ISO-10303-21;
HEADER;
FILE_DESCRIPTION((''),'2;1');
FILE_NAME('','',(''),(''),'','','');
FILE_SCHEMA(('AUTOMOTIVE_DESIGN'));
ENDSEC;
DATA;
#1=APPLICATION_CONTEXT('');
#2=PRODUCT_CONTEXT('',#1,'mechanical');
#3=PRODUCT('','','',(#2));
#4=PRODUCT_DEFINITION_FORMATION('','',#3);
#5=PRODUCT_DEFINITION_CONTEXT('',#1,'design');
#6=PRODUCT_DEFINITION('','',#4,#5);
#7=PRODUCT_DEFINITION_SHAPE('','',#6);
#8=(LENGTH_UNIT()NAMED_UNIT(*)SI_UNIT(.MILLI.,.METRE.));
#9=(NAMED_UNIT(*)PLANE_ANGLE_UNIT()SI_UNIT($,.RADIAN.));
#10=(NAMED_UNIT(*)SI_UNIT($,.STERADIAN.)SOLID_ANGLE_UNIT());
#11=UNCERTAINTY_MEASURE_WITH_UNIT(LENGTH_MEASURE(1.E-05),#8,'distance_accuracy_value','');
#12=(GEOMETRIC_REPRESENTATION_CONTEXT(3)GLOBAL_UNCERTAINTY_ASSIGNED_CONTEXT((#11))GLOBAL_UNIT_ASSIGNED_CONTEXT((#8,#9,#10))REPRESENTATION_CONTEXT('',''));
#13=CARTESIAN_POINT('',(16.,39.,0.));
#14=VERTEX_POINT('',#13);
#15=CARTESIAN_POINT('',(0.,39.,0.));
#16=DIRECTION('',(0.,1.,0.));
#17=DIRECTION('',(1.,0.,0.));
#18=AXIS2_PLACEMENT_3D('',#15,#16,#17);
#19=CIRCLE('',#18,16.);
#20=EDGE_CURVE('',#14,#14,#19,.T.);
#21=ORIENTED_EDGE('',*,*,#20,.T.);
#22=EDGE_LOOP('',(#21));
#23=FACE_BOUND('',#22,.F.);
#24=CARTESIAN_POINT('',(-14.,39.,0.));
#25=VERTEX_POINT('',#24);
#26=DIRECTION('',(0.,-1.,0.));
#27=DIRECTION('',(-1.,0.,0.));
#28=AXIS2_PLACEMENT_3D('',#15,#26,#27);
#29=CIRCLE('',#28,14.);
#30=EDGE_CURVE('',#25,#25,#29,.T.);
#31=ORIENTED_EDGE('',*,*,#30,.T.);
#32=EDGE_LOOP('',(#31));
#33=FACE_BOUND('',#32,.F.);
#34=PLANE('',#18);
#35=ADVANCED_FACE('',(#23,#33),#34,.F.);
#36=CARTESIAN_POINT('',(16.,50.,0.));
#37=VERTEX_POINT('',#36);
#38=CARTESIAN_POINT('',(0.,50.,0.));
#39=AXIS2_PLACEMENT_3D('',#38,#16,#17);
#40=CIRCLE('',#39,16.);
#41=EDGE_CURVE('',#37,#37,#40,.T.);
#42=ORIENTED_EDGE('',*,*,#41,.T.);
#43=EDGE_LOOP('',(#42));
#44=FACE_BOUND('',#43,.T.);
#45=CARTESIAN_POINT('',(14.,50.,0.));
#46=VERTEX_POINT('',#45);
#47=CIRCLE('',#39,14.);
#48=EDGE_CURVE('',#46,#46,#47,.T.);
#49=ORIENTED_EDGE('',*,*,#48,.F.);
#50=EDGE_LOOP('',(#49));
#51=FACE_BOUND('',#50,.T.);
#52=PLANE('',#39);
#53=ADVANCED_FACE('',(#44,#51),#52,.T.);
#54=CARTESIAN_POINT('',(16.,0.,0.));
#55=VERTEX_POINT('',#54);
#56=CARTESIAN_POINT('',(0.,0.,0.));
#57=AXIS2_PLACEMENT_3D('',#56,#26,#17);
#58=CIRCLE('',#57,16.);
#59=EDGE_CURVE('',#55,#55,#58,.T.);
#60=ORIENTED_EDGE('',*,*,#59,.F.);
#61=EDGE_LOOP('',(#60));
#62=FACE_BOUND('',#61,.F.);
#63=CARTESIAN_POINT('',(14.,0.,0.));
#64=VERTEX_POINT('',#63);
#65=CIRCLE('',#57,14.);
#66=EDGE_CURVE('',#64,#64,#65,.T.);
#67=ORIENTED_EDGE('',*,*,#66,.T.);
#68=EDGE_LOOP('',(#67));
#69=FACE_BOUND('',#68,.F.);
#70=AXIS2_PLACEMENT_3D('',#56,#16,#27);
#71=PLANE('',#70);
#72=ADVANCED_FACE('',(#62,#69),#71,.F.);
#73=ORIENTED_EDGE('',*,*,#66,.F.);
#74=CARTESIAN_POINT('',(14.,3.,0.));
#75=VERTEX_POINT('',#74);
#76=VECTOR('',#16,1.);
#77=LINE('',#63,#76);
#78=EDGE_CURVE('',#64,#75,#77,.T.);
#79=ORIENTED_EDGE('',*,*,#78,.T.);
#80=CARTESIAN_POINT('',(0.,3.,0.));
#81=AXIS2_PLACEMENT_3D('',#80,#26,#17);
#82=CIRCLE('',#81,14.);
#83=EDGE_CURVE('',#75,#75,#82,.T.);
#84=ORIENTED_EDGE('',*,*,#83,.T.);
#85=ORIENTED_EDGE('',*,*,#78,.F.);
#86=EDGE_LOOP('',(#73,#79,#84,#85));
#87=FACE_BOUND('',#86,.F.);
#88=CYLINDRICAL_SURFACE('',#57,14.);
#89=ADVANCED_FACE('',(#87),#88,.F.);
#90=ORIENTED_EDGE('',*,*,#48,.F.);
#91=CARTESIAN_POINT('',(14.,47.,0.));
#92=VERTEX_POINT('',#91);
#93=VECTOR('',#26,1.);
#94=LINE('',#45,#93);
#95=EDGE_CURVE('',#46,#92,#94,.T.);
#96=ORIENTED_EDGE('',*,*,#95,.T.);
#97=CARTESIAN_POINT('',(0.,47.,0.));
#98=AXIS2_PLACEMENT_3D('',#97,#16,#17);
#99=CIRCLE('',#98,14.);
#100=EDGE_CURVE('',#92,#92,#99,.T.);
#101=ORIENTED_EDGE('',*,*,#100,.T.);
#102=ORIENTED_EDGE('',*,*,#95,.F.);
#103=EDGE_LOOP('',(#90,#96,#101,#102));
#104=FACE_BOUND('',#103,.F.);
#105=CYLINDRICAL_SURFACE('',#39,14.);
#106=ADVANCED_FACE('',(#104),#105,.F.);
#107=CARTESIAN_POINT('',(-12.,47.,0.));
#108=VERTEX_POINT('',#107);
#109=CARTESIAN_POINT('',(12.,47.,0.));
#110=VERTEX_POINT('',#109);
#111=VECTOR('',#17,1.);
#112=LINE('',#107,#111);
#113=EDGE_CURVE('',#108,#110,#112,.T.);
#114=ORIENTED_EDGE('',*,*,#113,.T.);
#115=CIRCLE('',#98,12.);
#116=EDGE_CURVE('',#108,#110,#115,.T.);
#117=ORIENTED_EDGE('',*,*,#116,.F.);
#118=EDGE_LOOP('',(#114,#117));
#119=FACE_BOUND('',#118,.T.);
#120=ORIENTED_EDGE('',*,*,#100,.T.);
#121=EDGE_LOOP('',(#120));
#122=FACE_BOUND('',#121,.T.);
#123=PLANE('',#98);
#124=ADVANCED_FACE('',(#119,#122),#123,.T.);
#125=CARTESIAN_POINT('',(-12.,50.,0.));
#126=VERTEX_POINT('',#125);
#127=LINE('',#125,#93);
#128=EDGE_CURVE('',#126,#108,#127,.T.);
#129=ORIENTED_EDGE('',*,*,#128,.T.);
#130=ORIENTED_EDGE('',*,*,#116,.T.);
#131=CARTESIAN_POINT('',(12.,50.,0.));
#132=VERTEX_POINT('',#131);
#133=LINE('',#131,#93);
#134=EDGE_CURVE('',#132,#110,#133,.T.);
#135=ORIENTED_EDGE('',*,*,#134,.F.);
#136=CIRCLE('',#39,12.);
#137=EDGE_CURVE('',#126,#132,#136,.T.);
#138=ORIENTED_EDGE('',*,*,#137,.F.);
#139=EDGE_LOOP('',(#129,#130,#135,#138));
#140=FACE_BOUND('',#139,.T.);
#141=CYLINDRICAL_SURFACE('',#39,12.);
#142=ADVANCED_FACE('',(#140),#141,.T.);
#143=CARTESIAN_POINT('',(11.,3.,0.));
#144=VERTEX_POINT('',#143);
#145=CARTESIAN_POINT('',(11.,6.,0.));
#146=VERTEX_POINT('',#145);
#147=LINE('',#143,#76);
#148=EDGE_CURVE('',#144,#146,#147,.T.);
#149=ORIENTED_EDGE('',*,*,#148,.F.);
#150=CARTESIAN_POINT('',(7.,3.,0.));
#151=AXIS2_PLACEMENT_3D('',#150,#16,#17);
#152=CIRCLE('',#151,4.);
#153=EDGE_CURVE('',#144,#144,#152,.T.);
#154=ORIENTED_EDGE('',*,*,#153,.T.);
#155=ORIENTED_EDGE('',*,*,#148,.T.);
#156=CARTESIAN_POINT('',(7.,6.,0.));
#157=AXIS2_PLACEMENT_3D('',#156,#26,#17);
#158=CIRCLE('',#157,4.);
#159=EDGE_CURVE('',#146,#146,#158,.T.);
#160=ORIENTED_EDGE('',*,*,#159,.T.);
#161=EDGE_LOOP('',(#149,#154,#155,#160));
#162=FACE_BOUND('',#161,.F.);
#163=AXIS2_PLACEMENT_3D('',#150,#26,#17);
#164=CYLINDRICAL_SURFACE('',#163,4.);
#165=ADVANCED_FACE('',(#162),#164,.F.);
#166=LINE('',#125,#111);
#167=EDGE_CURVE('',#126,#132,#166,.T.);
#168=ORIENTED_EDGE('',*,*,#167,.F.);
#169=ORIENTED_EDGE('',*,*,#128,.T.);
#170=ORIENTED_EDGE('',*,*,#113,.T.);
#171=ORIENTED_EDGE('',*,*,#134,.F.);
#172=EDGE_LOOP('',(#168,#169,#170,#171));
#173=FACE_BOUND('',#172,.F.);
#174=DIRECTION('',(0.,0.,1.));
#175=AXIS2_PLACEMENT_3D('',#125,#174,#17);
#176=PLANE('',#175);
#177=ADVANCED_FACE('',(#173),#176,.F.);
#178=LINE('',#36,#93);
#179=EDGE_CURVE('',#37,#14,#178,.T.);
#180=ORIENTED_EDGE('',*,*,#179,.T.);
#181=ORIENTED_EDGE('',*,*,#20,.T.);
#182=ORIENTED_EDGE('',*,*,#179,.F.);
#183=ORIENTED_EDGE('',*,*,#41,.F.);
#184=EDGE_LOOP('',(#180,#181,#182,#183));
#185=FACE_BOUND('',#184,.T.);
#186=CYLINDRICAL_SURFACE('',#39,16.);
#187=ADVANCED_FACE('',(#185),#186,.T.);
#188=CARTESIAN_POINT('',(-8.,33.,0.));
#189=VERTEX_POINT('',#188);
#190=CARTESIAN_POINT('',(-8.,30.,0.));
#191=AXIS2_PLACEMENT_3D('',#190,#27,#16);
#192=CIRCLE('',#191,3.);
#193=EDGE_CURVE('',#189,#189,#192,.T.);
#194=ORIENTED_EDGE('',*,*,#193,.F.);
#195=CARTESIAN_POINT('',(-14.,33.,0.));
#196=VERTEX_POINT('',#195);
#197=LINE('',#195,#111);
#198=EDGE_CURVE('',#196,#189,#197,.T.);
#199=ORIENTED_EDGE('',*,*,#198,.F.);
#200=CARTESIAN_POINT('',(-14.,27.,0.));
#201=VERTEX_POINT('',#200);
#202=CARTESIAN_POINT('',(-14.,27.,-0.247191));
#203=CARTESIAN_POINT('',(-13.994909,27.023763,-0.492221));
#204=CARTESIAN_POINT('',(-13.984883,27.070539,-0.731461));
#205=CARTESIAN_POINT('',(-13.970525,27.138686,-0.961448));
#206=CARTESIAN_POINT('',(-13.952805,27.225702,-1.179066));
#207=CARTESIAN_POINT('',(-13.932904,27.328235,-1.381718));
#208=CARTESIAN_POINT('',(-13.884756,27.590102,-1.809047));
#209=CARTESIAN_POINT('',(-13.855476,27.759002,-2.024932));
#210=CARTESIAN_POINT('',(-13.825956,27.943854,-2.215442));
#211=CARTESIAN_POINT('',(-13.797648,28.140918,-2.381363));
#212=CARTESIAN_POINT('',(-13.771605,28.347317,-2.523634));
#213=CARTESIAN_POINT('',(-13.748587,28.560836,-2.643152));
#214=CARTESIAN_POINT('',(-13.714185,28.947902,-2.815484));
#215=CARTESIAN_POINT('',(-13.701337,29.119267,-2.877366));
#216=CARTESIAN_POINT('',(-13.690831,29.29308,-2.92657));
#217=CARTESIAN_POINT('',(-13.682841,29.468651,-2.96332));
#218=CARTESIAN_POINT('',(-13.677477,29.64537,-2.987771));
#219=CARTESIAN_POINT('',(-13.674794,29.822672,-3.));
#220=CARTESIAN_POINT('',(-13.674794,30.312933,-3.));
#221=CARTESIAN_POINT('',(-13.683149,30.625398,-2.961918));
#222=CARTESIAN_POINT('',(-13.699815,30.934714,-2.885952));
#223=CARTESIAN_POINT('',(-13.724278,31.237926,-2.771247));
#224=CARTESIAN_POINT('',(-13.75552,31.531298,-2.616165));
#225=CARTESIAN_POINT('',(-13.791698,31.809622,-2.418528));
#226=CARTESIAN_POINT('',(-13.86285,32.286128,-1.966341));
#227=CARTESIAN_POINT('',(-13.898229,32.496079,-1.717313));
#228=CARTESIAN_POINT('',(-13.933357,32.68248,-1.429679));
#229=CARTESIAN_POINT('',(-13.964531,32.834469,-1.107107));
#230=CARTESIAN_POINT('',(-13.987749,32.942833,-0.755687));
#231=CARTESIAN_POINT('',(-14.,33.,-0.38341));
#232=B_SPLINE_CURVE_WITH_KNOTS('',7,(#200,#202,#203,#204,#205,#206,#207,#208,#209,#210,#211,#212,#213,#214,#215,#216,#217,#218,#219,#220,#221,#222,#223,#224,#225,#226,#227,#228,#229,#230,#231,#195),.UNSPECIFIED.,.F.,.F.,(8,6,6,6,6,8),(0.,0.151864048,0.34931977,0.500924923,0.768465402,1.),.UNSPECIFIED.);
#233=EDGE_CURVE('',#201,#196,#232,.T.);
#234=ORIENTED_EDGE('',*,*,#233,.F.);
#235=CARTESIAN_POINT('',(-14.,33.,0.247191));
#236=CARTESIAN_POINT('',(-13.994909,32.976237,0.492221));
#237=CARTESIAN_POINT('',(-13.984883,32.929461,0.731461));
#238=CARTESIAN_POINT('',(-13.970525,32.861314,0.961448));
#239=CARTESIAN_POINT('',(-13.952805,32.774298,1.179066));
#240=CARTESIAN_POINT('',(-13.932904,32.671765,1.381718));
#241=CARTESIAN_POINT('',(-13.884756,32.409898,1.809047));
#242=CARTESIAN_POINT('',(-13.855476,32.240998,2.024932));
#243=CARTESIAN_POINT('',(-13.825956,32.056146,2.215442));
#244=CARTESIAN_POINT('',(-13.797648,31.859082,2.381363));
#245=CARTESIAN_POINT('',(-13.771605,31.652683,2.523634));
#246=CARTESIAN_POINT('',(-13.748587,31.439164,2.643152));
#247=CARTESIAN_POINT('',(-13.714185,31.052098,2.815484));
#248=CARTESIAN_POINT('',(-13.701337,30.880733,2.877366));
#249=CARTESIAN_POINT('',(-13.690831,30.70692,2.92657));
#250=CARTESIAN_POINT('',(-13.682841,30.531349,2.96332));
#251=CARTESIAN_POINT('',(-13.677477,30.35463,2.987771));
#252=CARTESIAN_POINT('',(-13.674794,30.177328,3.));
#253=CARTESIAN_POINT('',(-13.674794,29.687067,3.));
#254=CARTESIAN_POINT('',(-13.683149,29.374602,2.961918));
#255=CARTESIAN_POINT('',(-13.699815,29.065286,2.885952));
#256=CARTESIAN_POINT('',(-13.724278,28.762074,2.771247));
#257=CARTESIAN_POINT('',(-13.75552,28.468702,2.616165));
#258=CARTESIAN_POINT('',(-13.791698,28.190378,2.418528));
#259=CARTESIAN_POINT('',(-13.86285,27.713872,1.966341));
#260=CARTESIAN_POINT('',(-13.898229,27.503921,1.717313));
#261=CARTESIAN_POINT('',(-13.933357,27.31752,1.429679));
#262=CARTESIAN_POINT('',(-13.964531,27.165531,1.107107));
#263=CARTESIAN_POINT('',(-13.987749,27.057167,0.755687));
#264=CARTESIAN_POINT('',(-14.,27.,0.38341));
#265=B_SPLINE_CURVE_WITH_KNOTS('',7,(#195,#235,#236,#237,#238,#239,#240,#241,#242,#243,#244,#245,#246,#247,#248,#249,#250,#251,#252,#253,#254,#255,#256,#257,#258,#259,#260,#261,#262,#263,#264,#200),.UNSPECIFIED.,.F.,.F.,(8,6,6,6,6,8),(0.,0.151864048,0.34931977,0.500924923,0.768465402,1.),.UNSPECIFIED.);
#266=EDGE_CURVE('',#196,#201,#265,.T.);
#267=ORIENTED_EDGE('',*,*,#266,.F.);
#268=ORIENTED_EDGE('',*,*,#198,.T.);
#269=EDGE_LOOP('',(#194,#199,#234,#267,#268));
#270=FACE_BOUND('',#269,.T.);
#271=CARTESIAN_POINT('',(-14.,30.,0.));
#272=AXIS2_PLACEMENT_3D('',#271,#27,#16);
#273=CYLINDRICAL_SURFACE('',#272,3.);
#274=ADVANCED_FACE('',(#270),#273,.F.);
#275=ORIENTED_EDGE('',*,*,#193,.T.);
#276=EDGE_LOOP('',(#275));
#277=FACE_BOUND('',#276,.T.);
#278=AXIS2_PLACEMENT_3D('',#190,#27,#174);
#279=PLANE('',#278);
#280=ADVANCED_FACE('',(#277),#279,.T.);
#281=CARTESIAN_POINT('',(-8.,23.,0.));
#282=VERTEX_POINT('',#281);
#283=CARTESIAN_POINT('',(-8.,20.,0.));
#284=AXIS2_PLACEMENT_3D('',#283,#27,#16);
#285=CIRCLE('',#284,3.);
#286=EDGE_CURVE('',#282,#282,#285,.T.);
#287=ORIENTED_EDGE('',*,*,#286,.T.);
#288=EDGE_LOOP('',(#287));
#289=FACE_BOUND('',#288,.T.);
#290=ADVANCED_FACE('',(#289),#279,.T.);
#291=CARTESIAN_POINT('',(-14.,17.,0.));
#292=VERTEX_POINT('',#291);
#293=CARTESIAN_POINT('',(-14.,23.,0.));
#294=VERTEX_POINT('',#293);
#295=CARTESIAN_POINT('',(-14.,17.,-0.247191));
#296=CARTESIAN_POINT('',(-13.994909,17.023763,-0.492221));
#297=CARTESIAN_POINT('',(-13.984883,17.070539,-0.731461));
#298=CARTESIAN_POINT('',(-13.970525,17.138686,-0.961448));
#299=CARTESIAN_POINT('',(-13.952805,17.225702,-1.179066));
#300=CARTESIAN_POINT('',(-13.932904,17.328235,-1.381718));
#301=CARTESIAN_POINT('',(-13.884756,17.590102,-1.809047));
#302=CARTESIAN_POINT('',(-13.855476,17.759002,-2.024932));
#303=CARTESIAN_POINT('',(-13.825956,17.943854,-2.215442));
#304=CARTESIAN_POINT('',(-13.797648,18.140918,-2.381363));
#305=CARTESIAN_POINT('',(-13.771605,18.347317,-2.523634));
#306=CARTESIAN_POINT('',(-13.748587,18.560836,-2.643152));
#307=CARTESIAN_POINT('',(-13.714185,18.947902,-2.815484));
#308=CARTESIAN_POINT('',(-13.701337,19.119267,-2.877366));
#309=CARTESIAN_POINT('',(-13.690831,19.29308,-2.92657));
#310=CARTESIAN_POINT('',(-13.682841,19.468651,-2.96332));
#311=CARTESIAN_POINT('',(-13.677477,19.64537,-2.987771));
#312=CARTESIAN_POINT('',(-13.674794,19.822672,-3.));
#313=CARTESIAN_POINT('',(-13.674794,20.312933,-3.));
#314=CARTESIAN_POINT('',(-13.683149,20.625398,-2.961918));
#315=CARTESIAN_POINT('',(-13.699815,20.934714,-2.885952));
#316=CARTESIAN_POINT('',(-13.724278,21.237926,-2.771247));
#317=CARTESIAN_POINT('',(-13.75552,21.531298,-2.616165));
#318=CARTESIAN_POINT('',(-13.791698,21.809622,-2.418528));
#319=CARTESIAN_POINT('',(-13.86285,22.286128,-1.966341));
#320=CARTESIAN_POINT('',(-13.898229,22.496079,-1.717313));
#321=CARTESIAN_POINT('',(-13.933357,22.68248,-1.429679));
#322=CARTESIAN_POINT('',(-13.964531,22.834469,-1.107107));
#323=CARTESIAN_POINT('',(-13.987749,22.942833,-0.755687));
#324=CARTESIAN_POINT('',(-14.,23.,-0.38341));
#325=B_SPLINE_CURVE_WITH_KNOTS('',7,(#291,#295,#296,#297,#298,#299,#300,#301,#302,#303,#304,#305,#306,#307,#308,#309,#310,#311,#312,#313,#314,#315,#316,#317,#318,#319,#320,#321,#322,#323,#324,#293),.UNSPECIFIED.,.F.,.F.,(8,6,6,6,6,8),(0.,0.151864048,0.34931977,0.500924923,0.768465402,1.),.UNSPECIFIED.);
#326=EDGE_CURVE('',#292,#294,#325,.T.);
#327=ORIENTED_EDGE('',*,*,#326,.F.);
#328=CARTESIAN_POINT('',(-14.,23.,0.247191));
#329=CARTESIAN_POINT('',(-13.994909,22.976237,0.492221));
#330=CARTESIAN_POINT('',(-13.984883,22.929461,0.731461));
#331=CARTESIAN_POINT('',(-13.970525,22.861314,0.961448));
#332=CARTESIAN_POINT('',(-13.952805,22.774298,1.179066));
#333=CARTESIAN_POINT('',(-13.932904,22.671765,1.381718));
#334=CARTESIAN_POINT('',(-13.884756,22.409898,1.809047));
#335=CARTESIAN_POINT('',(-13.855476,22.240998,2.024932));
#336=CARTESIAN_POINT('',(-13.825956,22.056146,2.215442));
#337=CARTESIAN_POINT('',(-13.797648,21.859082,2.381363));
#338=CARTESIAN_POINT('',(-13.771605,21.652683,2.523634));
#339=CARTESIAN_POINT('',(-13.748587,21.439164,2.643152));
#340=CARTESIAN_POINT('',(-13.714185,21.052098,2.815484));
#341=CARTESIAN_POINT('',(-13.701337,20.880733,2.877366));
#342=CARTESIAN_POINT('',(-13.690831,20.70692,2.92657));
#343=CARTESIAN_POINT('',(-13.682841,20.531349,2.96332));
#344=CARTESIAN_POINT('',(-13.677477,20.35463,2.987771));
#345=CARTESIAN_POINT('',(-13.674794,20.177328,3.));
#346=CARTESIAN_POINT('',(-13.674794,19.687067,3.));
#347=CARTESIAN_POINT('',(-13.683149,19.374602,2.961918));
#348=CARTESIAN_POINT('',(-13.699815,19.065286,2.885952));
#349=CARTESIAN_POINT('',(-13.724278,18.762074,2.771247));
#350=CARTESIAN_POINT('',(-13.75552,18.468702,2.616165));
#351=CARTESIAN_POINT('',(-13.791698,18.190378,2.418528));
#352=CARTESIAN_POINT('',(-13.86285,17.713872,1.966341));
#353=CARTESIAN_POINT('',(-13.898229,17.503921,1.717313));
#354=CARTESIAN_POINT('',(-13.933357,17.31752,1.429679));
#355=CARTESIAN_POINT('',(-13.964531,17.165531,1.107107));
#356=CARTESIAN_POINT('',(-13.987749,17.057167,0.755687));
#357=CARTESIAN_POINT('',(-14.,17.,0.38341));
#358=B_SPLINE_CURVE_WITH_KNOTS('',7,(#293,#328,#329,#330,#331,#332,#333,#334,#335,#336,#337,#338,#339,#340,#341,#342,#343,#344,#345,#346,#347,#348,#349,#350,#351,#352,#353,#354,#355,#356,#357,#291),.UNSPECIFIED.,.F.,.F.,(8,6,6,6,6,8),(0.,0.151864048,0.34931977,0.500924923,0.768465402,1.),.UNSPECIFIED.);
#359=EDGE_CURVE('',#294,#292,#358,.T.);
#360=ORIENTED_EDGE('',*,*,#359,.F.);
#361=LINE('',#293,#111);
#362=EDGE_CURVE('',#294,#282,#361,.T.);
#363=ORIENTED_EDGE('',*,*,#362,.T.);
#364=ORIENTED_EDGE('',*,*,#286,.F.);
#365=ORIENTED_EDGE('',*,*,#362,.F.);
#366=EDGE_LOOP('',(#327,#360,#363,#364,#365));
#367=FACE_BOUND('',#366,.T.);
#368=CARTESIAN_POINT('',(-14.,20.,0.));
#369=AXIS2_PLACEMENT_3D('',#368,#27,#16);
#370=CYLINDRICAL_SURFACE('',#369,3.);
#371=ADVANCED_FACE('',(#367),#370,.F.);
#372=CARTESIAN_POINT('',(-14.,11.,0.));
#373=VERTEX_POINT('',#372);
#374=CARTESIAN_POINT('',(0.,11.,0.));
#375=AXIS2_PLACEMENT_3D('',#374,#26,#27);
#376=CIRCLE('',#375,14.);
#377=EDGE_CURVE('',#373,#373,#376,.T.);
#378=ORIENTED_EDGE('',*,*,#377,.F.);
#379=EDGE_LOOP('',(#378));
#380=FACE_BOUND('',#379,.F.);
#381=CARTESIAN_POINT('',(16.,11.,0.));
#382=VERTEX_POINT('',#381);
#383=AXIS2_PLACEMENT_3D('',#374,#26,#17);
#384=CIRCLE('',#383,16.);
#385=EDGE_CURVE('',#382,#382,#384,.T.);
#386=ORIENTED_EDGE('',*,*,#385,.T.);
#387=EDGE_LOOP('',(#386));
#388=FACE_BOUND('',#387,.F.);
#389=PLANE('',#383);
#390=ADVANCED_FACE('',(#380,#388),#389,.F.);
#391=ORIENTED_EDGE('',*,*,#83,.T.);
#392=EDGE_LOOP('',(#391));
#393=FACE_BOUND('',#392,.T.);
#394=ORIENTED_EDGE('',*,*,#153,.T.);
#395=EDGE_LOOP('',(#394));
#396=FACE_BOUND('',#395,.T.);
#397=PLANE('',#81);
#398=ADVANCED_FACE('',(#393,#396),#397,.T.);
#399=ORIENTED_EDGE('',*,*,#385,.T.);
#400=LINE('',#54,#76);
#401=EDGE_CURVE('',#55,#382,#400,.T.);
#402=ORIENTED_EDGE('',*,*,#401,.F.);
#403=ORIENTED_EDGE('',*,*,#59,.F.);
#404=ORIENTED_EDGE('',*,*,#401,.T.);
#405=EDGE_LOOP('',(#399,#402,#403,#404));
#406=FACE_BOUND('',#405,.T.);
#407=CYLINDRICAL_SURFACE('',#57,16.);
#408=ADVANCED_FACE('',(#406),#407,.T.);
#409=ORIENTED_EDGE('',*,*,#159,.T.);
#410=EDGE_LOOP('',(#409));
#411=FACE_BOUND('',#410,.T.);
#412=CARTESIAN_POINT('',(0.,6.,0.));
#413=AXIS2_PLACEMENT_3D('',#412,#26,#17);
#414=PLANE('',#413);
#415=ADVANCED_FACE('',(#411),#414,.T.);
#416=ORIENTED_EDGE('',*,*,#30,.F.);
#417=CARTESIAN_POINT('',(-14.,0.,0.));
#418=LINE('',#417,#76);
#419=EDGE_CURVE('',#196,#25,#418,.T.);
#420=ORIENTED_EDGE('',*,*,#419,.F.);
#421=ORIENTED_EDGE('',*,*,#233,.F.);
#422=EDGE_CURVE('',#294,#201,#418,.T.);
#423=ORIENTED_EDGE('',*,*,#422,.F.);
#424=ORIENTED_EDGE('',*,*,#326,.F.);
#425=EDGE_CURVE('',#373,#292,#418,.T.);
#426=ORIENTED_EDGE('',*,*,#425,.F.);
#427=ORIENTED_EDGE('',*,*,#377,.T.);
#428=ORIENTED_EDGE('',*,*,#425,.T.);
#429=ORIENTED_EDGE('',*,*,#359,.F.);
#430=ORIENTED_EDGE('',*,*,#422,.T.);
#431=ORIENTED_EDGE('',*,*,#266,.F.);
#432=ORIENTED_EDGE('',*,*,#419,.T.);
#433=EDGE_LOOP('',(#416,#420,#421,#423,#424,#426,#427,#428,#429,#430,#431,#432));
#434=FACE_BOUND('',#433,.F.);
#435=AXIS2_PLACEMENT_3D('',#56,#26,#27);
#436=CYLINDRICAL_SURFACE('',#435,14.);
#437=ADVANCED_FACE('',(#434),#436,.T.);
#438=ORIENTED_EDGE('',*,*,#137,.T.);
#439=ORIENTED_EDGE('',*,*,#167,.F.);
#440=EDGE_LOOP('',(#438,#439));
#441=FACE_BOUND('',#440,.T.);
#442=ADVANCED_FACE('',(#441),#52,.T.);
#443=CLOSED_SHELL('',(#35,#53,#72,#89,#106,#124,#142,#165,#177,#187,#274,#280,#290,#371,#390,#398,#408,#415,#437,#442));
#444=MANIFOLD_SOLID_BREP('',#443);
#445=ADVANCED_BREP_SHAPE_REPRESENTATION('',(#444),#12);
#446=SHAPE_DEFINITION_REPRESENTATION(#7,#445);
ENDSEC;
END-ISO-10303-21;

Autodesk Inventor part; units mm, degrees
ref_plane "XZ Plane" through (0, 0, 0) normal (0, 1, 0) x (-1, 0, 0)
ref_plane "XY Plane" through (0, 0, 0) normal (0, 0, 1) x (1, 0, 0)
sketch "Sketch1" plane through (0, 0, 0) normal (0, 1, 0) x (-1, 0, 0)
  circle A0 centre (0, 0) radius 16
  circle A1 centre (0, 0) radius 14
  dimension "d0" = 32
  dimension "d1" = 28
extrude "Extrusion1" add sketch "Sketch1" along normal blind 50 contours A1
sketch "Sketch2" plane through (0, 0, 0) normal (0, -1, 0) x (1, 0, 0)
  circle A0 centre (0, 0) radius 16
  dimension "d4" = 32
extrude "Extrusion2" add sketch "Sketch2" against normal blind 11
sketch "Sketch3" plane through (0, 50, 0) normal (0, 1, 0) x (1, 0, 0)
  circle A0 centre (0, 0) radius 16
extrude "Extrusion3" add sketch "Sketch3" against normal blind 11
ref_plane "Work Plane1" through (-14, 0, 0) normal (1, 0, 0) x (0, 1, 0)
sketch "Sketch5" plane through (-14, 0, 0) normal (1, 0, 0) x (0, 1, 0)
  line L0 (39, 14) -> (39, -14) construction
  line L1 (39, 0) -> (11, 0) construction
  line L2 (11, -14) -> (11, 14) construction
  line L3 (39, 0) -> (30, 0) construction
  line L4 (11, 0) -> (20, 0) construction
  circle A0 centre (30, 0) radius 3
  circle A1 centre (20, 0) radius 3
  point P0 (0, 0)
  dimension "d10" = 9
  dimension "d11" = 9
  dimension "d12" = 6
  dimension "d13" = 6
extrude "Extrusion4" cut sketch "Sketch5" along normal blind 8
sketch "Sketch6" plane through (-6, 30, 0) normal (-1, 0, 0) x (0, 0, 1)
  line L0 (-4.6081, 4.2685) -> (5.6465, 4.2685)
  line L1 (5.6465, 4.2685) -> (5.6465, -14.2936)
  line L2 (5.6465, -14.2936) -> (-4.6081, -14.2936)
  line L3 (-4.6081, -14.2936) -> (-4.6081, 4.2685)
  point P0 (0, -30)
extrude "Extrusion5" add sketch "Sketch6" along normal blind 2
sketch "Sketch7" plane through (0, 50, 0) normal (0, 1, 0) x (1, 0, 0)
  circle A0 centre (0, 0) radius 14
  circle A1 centre (0, 0) radius 12
  dimension "d18" = 28
  dimension "d19" = 24
extrude "Extrusion6" cut sketch "Sketch7" against normal blind 3
sketch "Sketch8" plane through (0, 50, 0) normal (0, 1, 0) x (1, 0, 0)
  circle A0 centre (0, 0) radius 12 projected
  line L0 (-12, 0) -> (12, 0)
  arc A1 (12, 0) -> (-12, 0) centre (0, 0) ccw
extrude "Extrusion7" cut sketch "Sketch8" against normal up to surface (3 mm away) contours L0 A0 picked at (2.994, 4.567)
sketch "Sketch9" plane through (0, 0, 0) normal (0, -1, 0) x (1, 0, 0)
  arc A0 (12, 0) -> (-12, 0) centre (0, 0) ccw projected
  line L0 (12, 0) -> (-12, 0) projected
  circle A1 centre (0, 0) radius 12
  circle A2 centre (0, 0) radius 14
extrude "Extrusion8" cut sketch "Sketch9" against normal blind 3 contours L0 A0 | A1 L0 | A2
sketch "Sketch10" plane through (0, 3, 0) normal (0, -1, 0) x (1, 0, 0)
  line L0 (0, 0) -> (7, 0) construction
  line L1 (12, 0) -> (-12, 0) projected
  circle A0 centre (7, 0) radius 4
extrude "Extrusion9" cut sketch "Sketch10" against normal blind 3
properties part number "Middle handle"
